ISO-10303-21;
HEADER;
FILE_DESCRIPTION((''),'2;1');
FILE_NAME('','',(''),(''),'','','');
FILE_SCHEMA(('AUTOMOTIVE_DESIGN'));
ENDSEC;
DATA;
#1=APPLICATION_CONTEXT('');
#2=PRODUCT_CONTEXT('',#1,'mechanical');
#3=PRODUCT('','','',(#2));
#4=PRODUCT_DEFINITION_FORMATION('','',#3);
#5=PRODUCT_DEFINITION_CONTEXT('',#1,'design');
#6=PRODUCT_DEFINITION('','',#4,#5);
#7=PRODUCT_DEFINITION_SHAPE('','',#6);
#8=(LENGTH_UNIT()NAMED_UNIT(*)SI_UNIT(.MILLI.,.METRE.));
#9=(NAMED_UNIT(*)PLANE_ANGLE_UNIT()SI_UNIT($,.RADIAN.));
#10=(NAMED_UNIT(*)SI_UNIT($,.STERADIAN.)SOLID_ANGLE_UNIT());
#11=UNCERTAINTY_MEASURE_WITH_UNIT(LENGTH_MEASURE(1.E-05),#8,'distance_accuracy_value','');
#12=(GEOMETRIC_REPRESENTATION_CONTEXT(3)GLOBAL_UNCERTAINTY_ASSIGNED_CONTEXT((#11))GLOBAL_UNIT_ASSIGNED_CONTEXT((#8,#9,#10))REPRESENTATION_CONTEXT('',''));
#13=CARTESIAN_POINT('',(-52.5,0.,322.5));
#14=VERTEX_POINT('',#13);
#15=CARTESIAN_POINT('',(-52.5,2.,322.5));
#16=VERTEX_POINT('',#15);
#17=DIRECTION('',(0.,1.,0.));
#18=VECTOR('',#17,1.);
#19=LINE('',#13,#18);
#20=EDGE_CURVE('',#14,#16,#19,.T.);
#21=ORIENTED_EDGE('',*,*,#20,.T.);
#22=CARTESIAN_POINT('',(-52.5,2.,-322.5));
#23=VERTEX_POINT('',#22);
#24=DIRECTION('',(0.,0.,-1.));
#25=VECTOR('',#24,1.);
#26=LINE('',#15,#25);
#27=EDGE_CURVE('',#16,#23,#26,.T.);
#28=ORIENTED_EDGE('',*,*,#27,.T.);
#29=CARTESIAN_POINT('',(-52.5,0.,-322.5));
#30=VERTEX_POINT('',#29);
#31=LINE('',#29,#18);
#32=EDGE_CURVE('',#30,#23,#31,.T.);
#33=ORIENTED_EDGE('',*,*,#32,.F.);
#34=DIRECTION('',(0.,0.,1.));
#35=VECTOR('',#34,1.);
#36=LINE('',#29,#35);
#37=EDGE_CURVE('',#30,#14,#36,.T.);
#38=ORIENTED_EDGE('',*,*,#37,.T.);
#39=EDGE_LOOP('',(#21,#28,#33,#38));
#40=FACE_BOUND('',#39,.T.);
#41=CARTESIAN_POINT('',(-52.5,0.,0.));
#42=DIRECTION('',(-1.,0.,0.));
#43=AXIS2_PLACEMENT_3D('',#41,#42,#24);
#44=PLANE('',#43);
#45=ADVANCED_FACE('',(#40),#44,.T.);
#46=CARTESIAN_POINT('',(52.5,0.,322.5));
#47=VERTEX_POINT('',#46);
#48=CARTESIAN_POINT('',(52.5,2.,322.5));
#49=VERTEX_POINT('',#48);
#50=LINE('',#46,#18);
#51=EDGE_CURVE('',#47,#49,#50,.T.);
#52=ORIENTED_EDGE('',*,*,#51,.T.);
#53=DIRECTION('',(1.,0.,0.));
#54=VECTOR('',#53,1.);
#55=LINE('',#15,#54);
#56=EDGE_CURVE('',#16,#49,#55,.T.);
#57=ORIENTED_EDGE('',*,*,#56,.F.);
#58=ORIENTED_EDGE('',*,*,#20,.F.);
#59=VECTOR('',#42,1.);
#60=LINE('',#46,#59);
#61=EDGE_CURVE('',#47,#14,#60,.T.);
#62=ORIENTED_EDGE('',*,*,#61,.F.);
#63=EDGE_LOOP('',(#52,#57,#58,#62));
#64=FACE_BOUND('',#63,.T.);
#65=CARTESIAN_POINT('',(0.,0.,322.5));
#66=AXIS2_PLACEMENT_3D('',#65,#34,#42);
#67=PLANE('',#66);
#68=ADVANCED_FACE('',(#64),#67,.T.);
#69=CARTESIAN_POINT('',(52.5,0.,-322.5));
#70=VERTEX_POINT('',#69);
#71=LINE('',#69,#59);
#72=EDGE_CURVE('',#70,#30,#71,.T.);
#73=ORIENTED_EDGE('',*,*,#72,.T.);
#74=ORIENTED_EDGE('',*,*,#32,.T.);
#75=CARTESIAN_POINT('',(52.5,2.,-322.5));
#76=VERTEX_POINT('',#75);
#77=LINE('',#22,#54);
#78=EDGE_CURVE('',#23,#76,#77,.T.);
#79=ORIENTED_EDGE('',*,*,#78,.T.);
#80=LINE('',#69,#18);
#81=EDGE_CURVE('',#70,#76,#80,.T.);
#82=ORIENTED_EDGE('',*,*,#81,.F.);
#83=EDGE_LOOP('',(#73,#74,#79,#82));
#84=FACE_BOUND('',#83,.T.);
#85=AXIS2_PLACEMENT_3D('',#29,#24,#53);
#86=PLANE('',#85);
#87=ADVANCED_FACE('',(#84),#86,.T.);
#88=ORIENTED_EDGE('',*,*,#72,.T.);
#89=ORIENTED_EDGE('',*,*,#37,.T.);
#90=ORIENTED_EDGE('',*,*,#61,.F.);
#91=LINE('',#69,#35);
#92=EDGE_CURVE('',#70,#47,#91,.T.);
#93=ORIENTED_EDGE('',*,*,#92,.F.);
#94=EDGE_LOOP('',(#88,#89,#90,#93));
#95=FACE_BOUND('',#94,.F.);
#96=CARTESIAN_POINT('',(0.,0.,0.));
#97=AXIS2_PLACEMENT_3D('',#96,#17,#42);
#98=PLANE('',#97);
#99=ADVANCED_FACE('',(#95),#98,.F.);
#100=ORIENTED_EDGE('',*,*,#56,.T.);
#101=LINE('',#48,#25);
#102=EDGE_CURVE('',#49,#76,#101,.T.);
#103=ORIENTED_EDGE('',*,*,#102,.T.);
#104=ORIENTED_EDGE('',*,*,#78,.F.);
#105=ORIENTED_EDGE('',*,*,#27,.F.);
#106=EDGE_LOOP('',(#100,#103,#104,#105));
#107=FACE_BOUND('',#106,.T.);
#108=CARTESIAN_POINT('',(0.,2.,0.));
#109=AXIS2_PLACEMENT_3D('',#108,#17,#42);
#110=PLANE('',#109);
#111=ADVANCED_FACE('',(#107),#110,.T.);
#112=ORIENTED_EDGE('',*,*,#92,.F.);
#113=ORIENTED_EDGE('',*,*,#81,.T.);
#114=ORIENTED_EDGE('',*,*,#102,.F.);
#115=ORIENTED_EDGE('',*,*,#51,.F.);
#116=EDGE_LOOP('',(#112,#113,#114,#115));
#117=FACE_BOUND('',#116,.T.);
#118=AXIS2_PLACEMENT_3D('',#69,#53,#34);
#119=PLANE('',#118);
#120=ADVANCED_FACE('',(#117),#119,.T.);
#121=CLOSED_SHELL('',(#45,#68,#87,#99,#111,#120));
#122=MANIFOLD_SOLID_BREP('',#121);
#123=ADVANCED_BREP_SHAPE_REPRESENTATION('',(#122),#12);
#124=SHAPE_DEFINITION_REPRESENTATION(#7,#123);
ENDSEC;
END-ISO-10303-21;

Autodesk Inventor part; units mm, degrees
ref_plane "YZ Plane" through (0, 0, 0) normal (1, 0, 0) x (0, 1, 0)
ref_plane "XZ Plane" through (0, 0, 0) normal (0, 1, 0) x (-1, 0, 0)
ref_plane "XY Plane" through (0, 0, 0) normal (0, 0, 1) x (1, 0, 0)
sketch "Sketch1" plane through (0, 0, 0) normal (0, 1, 0) x (-1, 0, 0)
  line L0 (52.5, -322.5) -> (-52.5, -322.5)
  line L1 (-52.5, -322.5) -> (-52.5, 322.5)
  line L2 (-52.5, 322.5) -> (52.5, 322.5)
  line L3 (52.5, 322.5) -> (52.5, -322.5)
  line L4 (52.5, 0) -> (-52.5, 0)
  line L5 (0, -322.5) -> (0, 322.5)
  point P0 (0, 0)
  point P1 (0, 0)
  dimension "d0" = 105
  dimension "d1" = 645
extrude "Extrusion1" add sketch "Sketch1" along normal blind 2
properties part number "Feinte"
